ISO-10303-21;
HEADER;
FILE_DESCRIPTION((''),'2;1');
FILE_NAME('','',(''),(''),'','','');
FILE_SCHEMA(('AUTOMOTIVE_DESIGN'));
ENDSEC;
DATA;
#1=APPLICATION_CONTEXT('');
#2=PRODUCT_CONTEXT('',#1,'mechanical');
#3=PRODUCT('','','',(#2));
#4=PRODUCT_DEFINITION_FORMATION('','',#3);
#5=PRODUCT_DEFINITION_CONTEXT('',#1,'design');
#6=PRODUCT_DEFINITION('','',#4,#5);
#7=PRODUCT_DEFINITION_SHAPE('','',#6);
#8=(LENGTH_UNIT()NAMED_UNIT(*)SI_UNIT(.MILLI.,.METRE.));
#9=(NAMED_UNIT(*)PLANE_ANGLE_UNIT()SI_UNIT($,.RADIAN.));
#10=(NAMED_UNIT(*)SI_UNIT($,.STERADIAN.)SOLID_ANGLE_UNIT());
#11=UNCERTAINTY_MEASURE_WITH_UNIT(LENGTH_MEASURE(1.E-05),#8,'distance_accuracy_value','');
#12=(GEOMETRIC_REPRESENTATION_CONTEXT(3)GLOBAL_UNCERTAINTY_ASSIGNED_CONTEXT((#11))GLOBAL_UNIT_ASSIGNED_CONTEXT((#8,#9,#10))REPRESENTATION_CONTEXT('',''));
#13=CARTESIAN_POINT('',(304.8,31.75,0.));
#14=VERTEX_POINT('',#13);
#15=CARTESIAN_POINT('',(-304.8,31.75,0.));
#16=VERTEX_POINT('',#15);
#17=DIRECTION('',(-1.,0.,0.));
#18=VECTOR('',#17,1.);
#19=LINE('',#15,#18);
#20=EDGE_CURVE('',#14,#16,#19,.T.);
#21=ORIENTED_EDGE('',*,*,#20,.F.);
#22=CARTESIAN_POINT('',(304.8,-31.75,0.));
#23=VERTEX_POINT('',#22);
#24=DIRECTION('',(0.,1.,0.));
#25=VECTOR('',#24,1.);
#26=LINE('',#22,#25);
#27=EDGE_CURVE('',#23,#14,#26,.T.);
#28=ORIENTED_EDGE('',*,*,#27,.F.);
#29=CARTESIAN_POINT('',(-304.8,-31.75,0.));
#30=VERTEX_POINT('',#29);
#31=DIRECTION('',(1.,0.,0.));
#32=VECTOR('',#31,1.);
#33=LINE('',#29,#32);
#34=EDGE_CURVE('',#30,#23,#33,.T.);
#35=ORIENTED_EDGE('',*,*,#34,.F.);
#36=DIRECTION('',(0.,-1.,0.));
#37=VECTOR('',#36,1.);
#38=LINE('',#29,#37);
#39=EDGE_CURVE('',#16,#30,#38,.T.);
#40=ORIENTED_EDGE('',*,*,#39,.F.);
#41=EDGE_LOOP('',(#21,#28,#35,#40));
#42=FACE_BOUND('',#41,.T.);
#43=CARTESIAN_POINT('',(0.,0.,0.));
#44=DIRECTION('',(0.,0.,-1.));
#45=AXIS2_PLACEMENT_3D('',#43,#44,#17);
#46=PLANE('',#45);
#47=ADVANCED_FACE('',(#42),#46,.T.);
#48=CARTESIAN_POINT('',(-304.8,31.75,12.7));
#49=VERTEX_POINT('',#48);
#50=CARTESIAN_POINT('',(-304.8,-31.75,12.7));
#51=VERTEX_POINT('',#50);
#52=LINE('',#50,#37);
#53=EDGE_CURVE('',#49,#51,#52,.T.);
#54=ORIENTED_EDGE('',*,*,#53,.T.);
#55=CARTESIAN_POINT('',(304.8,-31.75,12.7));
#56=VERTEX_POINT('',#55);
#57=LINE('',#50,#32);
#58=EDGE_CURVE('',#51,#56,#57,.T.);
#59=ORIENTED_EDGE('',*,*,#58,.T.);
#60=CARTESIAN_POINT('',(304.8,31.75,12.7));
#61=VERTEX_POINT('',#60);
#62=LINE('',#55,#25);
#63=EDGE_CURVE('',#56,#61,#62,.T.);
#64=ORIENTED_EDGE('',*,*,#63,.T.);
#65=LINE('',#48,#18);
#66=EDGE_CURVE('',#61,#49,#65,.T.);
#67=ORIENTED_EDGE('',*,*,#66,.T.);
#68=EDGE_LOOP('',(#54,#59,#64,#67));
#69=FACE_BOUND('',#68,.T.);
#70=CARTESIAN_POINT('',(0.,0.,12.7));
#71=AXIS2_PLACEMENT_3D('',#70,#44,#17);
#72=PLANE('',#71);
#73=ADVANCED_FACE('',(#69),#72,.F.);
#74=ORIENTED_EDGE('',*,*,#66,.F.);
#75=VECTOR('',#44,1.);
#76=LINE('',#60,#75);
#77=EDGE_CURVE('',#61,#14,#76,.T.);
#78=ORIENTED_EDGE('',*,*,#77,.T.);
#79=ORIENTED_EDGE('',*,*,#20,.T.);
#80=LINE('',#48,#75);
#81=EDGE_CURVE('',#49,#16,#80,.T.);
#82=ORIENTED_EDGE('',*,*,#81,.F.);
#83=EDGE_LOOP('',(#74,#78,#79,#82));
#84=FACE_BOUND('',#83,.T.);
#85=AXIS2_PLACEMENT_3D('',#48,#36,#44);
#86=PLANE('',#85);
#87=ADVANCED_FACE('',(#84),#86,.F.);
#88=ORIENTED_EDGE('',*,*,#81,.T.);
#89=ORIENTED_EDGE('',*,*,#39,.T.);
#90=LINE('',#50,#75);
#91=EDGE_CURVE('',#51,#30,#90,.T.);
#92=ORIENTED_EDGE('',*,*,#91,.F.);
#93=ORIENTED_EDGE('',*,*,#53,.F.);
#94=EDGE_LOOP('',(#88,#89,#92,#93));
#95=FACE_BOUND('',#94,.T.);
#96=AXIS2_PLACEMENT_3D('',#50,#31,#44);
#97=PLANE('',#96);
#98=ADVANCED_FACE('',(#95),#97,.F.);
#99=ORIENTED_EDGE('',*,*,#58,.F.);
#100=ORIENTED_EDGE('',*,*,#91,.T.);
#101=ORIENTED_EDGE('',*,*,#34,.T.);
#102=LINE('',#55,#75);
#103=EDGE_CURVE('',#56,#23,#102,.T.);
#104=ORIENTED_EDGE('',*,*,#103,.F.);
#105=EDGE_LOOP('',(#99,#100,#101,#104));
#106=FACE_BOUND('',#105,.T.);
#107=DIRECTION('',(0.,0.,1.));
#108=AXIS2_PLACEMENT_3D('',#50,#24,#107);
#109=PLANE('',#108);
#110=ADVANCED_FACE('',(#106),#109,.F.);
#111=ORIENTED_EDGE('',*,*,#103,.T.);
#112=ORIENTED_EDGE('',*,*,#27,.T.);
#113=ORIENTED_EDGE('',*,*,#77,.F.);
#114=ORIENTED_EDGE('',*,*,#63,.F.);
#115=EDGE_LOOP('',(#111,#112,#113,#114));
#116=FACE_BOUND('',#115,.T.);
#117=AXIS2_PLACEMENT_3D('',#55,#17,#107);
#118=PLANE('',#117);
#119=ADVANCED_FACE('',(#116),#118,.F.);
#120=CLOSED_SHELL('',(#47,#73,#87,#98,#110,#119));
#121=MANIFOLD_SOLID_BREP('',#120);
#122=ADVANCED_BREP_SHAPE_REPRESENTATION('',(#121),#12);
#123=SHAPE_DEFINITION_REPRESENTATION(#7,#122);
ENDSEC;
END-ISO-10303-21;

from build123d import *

# Parameters (mm, degrees)
SKETCH1_W           = 609.6
SKETCH1_H           = 63.5
BOSS_EXTRUDE1_DEPTH = 12.7


with BuildPart() as part:
    # Sketch1 → Boss-Extrude1 (new body)
    with BuildSketch(Plane.XY):
        Rectangle(SKETCH1_W, SKETCH1_H)
    extrude(amount=BOSS_EXTRUDE1_DEPTH)


solid = part.part
